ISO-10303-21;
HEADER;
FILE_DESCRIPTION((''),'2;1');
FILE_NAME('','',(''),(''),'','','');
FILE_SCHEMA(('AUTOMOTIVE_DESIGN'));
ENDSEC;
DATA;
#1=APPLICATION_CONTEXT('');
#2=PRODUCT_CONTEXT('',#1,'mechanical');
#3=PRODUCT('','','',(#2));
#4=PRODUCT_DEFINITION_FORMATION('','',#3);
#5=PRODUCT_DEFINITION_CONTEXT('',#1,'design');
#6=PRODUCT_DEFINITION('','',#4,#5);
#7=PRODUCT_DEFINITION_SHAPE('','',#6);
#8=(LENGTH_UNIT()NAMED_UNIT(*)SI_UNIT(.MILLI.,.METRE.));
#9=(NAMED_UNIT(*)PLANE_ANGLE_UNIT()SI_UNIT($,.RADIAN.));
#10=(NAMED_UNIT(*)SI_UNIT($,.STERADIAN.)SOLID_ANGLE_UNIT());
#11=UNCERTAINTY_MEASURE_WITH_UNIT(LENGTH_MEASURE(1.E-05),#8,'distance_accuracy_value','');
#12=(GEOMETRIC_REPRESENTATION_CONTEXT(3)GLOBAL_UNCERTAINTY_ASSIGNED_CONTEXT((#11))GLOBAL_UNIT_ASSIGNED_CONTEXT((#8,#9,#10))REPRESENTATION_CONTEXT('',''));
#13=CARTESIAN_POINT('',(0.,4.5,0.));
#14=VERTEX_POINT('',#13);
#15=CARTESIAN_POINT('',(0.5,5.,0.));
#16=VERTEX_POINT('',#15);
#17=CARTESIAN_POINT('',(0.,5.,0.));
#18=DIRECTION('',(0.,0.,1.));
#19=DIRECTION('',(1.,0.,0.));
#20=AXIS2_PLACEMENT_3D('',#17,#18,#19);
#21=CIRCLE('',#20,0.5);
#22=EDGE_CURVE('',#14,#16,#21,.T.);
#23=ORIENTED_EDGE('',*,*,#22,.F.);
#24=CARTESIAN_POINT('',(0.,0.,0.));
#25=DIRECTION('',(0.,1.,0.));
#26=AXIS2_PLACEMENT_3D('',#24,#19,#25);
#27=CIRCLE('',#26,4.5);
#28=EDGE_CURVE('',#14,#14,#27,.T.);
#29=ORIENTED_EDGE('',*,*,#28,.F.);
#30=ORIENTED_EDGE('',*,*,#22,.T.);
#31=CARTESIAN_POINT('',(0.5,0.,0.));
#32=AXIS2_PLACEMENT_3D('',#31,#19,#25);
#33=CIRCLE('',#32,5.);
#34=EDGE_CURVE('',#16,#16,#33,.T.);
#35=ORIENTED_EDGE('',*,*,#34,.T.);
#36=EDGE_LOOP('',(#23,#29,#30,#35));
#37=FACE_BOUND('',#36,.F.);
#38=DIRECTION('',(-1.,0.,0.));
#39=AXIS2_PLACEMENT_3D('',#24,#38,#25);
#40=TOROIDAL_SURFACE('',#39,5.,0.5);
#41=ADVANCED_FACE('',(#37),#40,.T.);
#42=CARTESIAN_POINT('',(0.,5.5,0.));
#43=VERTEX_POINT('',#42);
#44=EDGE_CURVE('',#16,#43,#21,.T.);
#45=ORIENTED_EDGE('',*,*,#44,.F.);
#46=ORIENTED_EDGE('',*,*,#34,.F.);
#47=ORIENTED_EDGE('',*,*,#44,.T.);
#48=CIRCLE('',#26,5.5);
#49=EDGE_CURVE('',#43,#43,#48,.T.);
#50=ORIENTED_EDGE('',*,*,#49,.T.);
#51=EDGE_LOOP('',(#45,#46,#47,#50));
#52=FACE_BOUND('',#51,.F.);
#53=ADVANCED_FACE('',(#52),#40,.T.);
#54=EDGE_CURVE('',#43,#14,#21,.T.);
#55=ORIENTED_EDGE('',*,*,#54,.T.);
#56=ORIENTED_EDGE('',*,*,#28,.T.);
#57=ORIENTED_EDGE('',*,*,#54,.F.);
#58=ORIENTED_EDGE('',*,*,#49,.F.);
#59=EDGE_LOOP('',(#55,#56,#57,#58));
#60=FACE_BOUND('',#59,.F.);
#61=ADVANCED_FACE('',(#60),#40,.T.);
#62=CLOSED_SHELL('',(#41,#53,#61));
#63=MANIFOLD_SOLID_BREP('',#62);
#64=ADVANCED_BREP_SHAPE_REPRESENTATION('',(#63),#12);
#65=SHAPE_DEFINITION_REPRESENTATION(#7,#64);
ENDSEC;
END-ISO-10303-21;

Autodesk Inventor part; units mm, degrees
ref_plane "YZ-Ebene" through (0, 0, 0) normal (1, 0, 0) x (0, 1, 0)
ref_plane "XZ-Ebene" through (0, 0, 0) normal (0, 1, 0) x (-1, 0, 0)
ref_plane "XY-Ebene" through (0, 0, 0) normal (0, 0, 1) x (1, 0, 0)
sketch "Skizze1" plane through (0, 0, 0) normal (0, 0, 1) x (1, 0, 0)
  line L0 (-0.7, 0) -> (0.7, 0) projected
  line L1 (0, -1.1) -> (0, 6.6) projected
  circle A0 centre (0, 5) radius 0.5
  point P0 (0, 0)
  dimension "d0" = 1
  dimension "d1" = 5
revolve "Umdrehung1" add sketch "Skizze1" angle 360 about axis through (-10, 0, 0) along (1, 0, 0)
properties part number "O-Ring_ra8846s" material "Gummi, Silikon"
